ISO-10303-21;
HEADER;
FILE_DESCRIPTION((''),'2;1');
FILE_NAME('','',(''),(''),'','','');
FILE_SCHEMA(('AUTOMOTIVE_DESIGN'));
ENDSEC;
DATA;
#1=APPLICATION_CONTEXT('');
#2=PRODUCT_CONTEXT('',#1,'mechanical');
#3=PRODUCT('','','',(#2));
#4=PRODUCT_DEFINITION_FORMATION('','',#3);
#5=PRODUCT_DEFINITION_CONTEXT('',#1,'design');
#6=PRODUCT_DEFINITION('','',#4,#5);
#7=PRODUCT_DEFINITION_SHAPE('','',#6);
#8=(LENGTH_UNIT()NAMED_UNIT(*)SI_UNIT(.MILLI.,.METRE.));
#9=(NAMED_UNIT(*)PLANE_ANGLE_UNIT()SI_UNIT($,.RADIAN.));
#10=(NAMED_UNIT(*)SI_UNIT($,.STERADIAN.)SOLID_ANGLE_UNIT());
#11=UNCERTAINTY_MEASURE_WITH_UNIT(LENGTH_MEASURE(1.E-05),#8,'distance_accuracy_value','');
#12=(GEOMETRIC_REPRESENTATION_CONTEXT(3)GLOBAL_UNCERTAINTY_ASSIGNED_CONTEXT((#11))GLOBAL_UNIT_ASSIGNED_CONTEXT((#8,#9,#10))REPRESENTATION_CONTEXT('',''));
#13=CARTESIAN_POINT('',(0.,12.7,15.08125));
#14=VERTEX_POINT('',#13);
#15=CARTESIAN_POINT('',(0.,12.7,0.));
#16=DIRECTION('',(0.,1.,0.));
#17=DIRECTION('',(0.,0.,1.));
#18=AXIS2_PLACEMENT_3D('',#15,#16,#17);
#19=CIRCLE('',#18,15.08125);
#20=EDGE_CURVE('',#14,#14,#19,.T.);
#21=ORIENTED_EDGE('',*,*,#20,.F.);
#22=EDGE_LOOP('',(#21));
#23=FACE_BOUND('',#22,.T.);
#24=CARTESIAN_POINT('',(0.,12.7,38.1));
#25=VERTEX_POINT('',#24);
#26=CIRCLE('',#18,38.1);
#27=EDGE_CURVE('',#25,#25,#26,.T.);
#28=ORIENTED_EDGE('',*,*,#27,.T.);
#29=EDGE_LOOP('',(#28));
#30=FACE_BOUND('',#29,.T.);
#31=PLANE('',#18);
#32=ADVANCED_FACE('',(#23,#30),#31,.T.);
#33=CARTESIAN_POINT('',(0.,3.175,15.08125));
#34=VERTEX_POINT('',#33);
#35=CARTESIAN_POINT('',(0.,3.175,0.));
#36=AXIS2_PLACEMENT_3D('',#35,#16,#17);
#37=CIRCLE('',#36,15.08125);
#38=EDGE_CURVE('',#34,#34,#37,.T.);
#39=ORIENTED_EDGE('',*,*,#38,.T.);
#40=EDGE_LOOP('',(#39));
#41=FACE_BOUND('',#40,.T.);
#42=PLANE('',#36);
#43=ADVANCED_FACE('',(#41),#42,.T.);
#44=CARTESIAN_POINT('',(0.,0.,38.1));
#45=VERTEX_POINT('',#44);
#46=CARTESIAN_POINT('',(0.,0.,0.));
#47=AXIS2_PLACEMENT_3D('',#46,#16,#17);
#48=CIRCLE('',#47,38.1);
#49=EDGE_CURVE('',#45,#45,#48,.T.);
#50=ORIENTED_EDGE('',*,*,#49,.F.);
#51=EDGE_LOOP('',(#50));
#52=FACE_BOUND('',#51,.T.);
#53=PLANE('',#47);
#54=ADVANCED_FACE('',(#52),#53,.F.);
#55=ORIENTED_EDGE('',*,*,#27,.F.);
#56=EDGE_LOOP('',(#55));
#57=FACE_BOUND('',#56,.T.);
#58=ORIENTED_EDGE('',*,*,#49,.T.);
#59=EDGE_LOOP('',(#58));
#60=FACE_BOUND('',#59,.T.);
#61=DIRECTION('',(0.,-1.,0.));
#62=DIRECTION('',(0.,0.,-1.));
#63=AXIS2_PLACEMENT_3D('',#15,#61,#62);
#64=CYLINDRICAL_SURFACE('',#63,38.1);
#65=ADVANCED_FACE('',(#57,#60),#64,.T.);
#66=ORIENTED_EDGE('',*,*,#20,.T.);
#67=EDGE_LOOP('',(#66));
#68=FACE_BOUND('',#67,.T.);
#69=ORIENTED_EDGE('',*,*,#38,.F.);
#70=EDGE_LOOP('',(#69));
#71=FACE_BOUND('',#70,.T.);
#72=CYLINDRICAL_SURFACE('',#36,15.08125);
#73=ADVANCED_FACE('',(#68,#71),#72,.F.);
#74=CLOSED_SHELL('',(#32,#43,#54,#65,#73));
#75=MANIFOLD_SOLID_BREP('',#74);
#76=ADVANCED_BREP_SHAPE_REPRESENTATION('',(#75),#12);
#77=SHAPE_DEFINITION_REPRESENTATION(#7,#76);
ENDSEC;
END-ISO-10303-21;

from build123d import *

# Parameters (mm, degrees)
SKETCH1_R           = 38.1
BOSS_EXTRUDE1_DEPTH = 12.7
SKETCH2_R           = 15.08125
CUT_EXTRUDE1_DEPTH  = 9.525


with BuildPart() as part:
    # Sketch1 → Boss-Extrude1 (new body)
    with BuildSketch(Plane(origin=(0, 0, 0), x_dir=(1, 0, 0), z_dir=(0, 1, 0))):
        Circle(SKETCH1_R)
    extrude(amount=BOSS_EXTRUDE1_DEPTH)

    # Sketch2 → Cut-Extrude1 (cut)
    with BuildSketch(Plane(origin=(0, 12.7, 0), x_dir=(1, 0, 0), z_dir=(0, 1, 0))):
        Circle(SKETCH2_R)
    extrude(amount=-CUT_EXTRUDE1_DEPTH, mode=Mode.SUBTRACT)


solid = part.part
